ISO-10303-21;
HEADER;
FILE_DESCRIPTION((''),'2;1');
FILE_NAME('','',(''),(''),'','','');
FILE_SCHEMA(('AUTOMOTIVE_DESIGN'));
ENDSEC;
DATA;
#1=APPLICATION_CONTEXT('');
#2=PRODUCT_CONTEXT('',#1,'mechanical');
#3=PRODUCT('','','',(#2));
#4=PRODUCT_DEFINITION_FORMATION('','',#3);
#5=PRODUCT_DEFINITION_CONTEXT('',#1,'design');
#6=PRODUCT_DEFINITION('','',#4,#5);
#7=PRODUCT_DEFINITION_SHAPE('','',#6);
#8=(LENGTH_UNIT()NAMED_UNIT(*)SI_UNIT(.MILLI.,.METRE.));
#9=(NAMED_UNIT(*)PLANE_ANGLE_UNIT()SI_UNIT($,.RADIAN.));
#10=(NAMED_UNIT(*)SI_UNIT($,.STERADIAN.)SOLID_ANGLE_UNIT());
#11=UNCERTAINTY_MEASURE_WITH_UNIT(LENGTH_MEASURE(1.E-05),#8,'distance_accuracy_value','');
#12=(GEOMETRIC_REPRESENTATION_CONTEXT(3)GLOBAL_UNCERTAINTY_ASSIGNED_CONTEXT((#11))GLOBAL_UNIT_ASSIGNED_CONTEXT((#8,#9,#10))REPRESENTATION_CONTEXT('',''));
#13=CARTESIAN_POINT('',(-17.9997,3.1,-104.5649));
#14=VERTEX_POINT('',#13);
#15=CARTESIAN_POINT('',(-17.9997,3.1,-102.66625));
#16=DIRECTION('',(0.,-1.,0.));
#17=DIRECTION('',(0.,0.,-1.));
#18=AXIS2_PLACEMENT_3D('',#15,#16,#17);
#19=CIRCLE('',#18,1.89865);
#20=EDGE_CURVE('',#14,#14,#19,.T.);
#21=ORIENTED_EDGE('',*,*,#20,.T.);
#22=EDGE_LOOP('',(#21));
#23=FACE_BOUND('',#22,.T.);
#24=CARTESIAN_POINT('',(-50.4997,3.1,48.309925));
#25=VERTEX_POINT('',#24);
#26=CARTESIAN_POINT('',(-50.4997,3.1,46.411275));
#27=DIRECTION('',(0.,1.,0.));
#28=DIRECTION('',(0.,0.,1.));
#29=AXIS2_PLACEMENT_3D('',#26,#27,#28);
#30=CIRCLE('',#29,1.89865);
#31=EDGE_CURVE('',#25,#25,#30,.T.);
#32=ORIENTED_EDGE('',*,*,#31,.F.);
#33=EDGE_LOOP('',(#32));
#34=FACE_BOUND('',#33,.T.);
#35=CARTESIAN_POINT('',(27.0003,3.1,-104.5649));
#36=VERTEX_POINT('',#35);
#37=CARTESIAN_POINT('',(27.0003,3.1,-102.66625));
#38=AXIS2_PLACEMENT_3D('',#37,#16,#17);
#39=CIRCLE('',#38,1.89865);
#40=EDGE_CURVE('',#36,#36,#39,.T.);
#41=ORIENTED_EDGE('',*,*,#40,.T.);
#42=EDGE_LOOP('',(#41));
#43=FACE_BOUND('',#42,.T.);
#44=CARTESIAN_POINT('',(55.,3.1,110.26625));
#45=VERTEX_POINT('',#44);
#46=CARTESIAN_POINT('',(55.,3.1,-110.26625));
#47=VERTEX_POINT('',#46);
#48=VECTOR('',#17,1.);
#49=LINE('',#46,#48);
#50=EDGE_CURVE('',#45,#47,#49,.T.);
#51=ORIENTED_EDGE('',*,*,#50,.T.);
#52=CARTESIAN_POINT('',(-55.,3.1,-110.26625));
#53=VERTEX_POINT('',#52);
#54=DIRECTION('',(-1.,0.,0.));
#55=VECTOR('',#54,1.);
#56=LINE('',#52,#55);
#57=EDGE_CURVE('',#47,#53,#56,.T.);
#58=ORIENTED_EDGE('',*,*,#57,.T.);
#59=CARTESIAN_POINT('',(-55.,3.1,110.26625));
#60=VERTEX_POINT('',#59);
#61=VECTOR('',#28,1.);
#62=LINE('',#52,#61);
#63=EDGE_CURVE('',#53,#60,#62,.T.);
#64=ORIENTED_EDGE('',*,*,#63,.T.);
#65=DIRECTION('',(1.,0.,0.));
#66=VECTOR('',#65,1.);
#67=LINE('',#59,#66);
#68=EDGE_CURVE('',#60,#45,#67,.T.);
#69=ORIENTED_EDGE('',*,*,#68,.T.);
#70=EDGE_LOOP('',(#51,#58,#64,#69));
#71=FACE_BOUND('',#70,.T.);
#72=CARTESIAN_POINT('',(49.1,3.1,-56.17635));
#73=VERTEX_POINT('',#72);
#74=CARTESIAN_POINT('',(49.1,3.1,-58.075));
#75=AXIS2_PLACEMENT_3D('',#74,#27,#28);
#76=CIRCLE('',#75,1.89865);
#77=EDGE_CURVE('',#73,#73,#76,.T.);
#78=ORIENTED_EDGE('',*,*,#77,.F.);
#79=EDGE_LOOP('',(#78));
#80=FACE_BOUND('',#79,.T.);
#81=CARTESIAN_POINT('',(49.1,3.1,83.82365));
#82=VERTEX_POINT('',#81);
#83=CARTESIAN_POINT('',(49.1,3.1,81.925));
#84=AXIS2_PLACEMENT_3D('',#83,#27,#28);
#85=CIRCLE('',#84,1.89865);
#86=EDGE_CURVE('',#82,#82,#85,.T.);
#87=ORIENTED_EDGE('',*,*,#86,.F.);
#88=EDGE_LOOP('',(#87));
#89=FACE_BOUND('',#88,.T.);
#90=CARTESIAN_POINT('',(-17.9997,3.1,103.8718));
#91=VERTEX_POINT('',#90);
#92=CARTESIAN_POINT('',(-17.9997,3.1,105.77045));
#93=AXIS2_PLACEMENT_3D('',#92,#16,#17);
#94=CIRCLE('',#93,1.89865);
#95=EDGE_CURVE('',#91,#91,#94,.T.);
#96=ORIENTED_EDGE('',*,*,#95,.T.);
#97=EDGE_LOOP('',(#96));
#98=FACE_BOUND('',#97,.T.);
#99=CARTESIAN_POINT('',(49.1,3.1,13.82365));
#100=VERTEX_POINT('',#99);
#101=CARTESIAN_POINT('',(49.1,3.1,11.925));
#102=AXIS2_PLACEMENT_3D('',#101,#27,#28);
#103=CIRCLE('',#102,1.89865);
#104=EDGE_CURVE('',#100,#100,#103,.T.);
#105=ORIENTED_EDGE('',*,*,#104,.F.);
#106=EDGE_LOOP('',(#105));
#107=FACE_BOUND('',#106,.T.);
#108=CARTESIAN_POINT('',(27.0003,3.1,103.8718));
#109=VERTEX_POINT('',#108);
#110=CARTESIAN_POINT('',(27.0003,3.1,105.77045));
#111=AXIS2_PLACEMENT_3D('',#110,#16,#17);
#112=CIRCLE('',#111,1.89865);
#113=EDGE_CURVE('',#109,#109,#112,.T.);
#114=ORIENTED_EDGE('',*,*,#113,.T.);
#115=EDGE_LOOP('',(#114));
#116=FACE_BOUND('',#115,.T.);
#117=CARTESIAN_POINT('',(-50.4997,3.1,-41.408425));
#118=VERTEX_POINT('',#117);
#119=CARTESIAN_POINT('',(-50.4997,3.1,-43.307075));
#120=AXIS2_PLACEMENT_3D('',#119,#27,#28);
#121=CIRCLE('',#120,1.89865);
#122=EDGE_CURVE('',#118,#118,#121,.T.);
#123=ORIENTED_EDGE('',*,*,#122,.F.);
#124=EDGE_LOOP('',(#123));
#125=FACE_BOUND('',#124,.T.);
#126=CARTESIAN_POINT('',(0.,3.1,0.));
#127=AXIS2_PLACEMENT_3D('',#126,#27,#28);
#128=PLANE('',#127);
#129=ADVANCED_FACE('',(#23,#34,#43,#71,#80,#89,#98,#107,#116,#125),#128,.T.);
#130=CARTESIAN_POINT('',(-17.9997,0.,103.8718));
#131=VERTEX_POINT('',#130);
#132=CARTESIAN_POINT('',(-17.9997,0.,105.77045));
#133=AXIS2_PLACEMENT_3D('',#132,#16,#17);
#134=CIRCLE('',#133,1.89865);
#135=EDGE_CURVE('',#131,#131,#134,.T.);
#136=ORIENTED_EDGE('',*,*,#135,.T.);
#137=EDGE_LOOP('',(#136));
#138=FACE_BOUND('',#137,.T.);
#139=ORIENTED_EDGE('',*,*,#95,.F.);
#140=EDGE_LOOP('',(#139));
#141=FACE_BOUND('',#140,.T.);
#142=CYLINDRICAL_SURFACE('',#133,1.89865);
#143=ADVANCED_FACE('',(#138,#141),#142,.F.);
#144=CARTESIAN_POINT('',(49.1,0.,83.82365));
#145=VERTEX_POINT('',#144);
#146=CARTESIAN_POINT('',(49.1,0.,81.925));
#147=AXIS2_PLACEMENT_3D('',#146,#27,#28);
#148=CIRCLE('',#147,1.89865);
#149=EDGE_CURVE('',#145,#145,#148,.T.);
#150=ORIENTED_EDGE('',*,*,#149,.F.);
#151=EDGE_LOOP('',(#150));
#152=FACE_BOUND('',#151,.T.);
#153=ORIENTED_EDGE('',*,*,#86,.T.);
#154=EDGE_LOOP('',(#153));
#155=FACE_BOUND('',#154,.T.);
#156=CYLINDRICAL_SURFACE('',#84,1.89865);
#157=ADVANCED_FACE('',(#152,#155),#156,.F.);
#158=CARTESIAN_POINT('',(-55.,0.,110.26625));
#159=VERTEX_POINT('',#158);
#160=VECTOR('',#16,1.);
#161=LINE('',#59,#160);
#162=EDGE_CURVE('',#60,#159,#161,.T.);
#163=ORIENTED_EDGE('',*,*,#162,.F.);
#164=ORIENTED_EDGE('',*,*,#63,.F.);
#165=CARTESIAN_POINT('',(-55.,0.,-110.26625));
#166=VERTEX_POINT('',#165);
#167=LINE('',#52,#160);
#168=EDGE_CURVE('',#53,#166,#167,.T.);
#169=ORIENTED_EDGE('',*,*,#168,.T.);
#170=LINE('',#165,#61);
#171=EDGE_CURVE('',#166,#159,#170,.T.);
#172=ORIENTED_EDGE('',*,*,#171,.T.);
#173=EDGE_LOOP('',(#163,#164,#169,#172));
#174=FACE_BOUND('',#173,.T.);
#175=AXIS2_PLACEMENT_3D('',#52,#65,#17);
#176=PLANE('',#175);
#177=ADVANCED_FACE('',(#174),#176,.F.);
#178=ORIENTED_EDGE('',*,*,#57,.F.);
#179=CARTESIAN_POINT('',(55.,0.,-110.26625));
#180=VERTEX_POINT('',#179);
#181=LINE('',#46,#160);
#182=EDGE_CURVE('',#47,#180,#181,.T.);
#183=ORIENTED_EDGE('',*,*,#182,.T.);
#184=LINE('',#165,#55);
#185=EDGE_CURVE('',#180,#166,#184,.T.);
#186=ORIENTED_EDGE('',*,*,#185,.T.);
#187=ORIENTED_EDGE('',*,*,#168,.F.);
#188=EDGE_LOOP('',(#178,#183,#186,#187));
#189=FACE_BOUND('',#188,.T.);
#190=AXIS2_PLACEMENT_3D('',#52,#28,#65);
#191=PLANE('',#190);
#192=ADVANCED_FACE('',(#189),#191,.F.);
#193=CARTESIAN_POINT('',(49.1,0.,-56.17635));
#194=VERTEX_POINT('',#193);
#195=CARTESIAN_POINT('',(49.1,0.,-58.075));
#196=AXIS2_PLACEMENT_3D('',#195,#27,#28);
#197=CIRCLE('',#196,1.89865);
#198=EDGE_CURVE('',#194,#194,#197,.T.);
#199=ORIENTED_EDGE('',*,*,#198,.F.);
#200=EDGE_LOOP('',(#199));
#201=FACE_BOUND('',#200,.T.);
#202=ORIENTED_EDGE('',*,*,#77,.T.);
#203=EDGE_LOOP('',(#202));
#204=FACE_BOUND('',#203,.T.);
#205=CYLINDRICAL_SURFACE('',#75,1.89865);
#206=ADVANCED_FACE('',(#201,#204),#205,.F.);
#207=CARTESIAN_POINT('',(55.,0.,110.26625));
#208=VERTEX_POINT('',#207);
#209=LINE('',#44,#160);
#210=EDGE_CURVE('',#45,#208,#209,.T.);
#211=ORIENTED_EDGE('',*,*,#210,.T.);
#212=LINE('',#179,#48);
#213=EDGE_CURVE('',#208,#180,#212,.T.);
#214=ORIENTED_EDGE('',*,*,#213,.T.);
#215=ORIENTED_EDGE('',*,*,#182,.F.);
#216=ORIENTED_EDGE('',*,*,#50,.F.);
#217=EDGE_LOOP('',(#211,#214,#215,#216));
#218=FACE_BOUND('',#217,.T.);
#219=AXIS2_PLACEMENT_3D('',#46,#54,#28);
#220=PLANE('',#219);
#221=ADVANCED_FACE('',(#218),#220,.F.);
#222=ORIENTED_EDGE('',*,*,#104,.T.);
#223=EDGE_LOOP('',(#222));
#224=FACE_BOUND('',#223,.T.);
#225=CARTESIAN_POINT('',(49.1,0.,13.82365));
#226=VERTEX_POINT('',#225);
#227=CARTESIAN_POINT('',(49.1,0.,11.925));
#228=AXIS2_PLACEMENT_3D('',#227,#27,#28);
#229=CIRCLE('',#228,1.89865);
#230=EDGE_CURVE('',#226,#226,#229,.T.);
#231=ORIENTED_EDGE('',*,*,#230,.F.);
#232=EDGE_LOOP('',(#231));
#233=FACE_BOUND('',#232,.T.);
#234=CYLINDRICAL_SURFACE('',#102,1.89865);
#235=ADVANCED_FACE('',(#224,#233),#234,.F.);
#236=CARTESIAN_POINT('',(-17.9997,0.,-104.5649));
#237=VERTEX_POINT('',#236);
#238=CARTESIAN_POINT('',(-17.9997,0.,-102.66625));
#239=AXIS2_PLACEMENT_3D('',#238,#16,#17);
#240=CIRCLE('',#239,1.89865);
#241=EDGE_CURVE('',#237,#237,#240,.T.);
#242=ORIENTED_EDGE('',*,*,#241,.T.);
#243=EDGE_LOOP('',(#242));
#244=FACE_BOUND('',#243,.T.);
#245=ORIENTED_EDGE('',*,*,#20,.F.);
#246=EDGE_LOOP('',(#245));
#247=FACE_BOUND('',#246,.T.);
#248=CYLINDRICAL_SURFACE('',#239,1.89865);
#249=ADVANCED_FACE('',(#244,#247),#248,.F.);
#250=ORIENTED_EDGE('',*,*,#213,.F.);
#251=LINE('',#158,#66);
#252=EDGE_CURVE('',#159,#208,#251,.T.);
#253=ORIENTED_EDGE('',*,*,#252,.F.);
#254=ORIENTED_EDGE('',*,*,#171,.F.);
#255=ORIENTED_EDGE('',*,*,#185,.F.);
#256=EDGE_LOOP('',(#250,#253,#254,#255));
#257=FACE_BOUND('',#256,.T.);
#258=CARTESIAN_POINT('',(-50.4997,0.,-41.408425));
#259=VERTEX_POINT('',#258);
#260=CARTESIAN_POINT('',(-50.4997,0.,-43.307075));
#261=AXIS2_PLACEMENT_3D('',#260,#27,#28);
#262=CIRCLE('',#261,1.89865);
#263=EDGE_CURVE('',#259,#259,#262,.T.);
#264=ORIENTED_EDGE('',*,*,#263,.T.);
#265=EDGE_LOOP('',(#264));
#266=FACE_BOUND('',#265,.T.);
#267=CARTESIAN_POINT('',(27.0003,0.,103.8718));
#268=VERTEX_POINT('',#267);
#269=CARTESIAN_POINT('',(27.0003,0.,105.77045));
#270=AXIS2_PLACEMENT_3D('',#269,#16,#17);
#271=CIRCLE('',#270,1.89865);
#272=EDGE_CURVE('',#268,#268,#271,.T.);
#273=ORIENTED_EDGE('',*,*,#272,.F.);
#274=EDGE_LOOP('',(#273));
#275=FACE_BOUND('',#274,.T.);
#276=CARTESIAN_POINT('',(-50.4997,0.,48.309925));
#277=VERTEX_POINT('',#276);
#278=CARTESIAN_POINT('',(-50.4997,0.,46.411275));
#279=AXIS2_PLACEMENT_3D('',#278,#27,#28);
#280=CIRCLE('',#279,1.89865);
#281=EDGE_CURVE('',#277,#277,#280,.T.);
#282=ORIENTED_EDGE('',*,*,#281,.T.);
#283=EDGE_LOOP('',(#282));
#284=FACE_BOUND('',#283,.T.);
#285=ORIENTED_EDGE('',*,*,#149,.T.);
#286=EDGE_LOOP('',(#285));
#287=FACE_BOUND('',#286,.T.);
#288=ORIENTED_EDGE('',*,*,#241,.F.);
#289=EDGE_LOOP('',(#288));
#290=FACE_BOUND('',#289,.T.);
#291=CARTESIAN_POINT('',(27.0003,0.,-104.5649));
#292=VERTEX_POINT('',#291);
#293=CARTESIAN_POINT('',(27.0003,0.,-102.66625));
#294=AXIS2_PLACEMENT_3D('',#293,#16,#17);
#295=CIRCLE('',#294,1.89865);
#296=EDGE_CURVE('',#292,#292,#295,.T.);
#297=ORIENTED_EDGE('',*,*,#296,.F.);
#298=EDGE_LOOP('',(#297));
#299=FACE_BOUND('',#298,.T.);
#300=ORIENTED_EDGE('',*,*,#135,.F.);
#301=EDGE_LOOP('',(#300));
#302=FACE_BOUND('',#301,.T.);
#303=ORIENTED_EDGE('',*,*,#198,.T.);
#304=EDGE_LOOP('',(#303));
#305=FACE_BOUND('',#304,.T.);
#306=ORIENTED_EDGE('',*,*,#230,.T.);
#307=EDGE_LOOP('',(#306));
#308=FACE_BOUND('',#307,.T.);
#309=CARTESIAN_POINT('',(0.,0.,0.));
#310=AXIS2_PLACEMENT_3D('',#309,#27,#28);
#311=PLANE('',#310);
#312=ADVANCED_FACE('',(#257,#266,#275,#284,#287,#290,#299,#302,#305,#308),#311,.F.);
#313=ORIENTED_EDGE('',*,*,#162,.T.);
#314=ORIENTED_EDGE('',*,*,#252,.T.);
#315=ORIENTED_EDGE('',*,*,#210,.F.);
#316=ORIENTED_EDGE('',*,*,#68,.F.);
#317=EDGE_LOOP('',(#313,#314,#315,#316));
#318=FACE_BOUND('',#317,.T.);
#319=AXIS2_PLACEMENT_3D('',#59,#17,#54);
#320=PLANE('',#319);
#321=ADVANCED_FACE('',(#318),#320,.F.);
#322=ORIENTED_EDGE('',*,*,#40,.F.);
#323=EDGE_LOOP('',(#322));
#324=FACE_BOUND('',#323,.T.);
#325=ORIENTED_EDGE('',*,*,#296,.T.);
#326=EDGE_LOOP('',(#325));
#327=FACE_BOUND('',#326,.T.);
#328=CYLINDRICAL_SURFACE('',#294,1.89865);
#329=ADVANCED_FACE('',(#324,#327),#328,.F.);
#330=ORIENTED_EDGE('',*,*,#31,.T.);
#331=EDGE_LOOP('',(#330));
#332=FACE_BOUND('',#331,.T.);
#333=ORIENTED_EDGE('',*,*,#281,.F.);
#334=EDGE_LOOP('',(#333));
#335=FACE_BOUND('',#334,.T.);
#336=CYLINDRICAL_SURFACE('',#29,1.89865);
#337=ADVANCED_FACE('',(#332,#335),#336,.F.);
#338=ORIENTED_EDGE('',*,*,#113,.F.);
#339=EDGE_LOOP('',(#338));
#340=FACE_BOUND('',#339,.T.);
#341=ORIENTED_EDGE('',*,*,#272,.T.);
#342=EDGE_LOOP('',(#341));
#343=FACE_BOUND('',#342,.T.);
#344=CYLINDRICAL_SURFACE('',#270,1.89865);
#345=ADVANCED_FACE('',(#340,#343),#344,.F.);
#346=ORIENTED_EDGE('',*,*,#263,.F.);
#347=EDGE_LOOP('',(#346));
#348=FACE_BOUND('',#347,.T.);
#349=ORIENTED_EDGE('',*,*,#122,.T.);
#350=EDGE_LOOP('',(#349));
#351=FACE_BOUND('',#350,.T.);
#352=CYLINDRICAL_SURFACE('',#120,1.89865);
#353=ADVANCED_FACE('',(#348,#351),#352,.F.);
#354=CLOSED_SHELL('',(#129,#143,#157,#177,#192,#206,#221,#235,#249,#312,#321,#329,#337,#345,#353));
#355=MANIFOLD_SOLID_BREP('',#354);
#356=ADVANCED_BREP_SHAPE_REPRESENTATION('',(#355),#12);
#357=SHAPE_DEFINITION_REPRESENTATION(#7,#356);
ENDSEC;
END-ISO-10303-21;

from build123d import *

# Parameters (mm, degrees)
SKETCH1_W             = 110
SKETCH1_H             = 220.5325
BOSS_EXTRUDE1_DEPTH   = 3.1
F_6_CLEARANCE_HOLE1_D = 3.7973
F_6_CLEARANCE_HOLE3_D = 3.7973


with BuildPart() as part:
    # Sketch1 → Boss-Extrude1 (new body)
    with BuildSketch(Plane(origin=(0, 0, 0), x_dir=(1, 0, 0), z_dir=(0, 1, 0))):
        Rectangle(SKETCH1_W, SKETCH1_H)
    extrude(amount=BOSS_EXTRUDE1_DEPTH)

    # #6 Clearance Hole1 (through all)
    with Locations(Plane(origin=(0, 3.1, 0), x_dir=(1, 0, 0), z_dir=(0, 1, 0))):
        with Locations((49.1, 58.075), (49.1, -11.925), (49.1, -81.925), (-50.4997, -46.411275), (-50.4997, 43.307075)):
            Hole(F_6_CLEARANCE_HOLE1_D / 2)

    # #6 Clearance Hole3 (through all)
    with Locations(Plane(origin=(0, 0, 0), x_dir=(-1, 0, 0), z_dir=(0, -1, 0))):
        with Locations((-27.0003, 102.66625), (17.9997, 102.66625), (-27.0003, -105.77045), (17.9997, -105.77045)):
            Hole(F_6_CLEARANCE_HOLE3_D / 2)


solid = part.part
